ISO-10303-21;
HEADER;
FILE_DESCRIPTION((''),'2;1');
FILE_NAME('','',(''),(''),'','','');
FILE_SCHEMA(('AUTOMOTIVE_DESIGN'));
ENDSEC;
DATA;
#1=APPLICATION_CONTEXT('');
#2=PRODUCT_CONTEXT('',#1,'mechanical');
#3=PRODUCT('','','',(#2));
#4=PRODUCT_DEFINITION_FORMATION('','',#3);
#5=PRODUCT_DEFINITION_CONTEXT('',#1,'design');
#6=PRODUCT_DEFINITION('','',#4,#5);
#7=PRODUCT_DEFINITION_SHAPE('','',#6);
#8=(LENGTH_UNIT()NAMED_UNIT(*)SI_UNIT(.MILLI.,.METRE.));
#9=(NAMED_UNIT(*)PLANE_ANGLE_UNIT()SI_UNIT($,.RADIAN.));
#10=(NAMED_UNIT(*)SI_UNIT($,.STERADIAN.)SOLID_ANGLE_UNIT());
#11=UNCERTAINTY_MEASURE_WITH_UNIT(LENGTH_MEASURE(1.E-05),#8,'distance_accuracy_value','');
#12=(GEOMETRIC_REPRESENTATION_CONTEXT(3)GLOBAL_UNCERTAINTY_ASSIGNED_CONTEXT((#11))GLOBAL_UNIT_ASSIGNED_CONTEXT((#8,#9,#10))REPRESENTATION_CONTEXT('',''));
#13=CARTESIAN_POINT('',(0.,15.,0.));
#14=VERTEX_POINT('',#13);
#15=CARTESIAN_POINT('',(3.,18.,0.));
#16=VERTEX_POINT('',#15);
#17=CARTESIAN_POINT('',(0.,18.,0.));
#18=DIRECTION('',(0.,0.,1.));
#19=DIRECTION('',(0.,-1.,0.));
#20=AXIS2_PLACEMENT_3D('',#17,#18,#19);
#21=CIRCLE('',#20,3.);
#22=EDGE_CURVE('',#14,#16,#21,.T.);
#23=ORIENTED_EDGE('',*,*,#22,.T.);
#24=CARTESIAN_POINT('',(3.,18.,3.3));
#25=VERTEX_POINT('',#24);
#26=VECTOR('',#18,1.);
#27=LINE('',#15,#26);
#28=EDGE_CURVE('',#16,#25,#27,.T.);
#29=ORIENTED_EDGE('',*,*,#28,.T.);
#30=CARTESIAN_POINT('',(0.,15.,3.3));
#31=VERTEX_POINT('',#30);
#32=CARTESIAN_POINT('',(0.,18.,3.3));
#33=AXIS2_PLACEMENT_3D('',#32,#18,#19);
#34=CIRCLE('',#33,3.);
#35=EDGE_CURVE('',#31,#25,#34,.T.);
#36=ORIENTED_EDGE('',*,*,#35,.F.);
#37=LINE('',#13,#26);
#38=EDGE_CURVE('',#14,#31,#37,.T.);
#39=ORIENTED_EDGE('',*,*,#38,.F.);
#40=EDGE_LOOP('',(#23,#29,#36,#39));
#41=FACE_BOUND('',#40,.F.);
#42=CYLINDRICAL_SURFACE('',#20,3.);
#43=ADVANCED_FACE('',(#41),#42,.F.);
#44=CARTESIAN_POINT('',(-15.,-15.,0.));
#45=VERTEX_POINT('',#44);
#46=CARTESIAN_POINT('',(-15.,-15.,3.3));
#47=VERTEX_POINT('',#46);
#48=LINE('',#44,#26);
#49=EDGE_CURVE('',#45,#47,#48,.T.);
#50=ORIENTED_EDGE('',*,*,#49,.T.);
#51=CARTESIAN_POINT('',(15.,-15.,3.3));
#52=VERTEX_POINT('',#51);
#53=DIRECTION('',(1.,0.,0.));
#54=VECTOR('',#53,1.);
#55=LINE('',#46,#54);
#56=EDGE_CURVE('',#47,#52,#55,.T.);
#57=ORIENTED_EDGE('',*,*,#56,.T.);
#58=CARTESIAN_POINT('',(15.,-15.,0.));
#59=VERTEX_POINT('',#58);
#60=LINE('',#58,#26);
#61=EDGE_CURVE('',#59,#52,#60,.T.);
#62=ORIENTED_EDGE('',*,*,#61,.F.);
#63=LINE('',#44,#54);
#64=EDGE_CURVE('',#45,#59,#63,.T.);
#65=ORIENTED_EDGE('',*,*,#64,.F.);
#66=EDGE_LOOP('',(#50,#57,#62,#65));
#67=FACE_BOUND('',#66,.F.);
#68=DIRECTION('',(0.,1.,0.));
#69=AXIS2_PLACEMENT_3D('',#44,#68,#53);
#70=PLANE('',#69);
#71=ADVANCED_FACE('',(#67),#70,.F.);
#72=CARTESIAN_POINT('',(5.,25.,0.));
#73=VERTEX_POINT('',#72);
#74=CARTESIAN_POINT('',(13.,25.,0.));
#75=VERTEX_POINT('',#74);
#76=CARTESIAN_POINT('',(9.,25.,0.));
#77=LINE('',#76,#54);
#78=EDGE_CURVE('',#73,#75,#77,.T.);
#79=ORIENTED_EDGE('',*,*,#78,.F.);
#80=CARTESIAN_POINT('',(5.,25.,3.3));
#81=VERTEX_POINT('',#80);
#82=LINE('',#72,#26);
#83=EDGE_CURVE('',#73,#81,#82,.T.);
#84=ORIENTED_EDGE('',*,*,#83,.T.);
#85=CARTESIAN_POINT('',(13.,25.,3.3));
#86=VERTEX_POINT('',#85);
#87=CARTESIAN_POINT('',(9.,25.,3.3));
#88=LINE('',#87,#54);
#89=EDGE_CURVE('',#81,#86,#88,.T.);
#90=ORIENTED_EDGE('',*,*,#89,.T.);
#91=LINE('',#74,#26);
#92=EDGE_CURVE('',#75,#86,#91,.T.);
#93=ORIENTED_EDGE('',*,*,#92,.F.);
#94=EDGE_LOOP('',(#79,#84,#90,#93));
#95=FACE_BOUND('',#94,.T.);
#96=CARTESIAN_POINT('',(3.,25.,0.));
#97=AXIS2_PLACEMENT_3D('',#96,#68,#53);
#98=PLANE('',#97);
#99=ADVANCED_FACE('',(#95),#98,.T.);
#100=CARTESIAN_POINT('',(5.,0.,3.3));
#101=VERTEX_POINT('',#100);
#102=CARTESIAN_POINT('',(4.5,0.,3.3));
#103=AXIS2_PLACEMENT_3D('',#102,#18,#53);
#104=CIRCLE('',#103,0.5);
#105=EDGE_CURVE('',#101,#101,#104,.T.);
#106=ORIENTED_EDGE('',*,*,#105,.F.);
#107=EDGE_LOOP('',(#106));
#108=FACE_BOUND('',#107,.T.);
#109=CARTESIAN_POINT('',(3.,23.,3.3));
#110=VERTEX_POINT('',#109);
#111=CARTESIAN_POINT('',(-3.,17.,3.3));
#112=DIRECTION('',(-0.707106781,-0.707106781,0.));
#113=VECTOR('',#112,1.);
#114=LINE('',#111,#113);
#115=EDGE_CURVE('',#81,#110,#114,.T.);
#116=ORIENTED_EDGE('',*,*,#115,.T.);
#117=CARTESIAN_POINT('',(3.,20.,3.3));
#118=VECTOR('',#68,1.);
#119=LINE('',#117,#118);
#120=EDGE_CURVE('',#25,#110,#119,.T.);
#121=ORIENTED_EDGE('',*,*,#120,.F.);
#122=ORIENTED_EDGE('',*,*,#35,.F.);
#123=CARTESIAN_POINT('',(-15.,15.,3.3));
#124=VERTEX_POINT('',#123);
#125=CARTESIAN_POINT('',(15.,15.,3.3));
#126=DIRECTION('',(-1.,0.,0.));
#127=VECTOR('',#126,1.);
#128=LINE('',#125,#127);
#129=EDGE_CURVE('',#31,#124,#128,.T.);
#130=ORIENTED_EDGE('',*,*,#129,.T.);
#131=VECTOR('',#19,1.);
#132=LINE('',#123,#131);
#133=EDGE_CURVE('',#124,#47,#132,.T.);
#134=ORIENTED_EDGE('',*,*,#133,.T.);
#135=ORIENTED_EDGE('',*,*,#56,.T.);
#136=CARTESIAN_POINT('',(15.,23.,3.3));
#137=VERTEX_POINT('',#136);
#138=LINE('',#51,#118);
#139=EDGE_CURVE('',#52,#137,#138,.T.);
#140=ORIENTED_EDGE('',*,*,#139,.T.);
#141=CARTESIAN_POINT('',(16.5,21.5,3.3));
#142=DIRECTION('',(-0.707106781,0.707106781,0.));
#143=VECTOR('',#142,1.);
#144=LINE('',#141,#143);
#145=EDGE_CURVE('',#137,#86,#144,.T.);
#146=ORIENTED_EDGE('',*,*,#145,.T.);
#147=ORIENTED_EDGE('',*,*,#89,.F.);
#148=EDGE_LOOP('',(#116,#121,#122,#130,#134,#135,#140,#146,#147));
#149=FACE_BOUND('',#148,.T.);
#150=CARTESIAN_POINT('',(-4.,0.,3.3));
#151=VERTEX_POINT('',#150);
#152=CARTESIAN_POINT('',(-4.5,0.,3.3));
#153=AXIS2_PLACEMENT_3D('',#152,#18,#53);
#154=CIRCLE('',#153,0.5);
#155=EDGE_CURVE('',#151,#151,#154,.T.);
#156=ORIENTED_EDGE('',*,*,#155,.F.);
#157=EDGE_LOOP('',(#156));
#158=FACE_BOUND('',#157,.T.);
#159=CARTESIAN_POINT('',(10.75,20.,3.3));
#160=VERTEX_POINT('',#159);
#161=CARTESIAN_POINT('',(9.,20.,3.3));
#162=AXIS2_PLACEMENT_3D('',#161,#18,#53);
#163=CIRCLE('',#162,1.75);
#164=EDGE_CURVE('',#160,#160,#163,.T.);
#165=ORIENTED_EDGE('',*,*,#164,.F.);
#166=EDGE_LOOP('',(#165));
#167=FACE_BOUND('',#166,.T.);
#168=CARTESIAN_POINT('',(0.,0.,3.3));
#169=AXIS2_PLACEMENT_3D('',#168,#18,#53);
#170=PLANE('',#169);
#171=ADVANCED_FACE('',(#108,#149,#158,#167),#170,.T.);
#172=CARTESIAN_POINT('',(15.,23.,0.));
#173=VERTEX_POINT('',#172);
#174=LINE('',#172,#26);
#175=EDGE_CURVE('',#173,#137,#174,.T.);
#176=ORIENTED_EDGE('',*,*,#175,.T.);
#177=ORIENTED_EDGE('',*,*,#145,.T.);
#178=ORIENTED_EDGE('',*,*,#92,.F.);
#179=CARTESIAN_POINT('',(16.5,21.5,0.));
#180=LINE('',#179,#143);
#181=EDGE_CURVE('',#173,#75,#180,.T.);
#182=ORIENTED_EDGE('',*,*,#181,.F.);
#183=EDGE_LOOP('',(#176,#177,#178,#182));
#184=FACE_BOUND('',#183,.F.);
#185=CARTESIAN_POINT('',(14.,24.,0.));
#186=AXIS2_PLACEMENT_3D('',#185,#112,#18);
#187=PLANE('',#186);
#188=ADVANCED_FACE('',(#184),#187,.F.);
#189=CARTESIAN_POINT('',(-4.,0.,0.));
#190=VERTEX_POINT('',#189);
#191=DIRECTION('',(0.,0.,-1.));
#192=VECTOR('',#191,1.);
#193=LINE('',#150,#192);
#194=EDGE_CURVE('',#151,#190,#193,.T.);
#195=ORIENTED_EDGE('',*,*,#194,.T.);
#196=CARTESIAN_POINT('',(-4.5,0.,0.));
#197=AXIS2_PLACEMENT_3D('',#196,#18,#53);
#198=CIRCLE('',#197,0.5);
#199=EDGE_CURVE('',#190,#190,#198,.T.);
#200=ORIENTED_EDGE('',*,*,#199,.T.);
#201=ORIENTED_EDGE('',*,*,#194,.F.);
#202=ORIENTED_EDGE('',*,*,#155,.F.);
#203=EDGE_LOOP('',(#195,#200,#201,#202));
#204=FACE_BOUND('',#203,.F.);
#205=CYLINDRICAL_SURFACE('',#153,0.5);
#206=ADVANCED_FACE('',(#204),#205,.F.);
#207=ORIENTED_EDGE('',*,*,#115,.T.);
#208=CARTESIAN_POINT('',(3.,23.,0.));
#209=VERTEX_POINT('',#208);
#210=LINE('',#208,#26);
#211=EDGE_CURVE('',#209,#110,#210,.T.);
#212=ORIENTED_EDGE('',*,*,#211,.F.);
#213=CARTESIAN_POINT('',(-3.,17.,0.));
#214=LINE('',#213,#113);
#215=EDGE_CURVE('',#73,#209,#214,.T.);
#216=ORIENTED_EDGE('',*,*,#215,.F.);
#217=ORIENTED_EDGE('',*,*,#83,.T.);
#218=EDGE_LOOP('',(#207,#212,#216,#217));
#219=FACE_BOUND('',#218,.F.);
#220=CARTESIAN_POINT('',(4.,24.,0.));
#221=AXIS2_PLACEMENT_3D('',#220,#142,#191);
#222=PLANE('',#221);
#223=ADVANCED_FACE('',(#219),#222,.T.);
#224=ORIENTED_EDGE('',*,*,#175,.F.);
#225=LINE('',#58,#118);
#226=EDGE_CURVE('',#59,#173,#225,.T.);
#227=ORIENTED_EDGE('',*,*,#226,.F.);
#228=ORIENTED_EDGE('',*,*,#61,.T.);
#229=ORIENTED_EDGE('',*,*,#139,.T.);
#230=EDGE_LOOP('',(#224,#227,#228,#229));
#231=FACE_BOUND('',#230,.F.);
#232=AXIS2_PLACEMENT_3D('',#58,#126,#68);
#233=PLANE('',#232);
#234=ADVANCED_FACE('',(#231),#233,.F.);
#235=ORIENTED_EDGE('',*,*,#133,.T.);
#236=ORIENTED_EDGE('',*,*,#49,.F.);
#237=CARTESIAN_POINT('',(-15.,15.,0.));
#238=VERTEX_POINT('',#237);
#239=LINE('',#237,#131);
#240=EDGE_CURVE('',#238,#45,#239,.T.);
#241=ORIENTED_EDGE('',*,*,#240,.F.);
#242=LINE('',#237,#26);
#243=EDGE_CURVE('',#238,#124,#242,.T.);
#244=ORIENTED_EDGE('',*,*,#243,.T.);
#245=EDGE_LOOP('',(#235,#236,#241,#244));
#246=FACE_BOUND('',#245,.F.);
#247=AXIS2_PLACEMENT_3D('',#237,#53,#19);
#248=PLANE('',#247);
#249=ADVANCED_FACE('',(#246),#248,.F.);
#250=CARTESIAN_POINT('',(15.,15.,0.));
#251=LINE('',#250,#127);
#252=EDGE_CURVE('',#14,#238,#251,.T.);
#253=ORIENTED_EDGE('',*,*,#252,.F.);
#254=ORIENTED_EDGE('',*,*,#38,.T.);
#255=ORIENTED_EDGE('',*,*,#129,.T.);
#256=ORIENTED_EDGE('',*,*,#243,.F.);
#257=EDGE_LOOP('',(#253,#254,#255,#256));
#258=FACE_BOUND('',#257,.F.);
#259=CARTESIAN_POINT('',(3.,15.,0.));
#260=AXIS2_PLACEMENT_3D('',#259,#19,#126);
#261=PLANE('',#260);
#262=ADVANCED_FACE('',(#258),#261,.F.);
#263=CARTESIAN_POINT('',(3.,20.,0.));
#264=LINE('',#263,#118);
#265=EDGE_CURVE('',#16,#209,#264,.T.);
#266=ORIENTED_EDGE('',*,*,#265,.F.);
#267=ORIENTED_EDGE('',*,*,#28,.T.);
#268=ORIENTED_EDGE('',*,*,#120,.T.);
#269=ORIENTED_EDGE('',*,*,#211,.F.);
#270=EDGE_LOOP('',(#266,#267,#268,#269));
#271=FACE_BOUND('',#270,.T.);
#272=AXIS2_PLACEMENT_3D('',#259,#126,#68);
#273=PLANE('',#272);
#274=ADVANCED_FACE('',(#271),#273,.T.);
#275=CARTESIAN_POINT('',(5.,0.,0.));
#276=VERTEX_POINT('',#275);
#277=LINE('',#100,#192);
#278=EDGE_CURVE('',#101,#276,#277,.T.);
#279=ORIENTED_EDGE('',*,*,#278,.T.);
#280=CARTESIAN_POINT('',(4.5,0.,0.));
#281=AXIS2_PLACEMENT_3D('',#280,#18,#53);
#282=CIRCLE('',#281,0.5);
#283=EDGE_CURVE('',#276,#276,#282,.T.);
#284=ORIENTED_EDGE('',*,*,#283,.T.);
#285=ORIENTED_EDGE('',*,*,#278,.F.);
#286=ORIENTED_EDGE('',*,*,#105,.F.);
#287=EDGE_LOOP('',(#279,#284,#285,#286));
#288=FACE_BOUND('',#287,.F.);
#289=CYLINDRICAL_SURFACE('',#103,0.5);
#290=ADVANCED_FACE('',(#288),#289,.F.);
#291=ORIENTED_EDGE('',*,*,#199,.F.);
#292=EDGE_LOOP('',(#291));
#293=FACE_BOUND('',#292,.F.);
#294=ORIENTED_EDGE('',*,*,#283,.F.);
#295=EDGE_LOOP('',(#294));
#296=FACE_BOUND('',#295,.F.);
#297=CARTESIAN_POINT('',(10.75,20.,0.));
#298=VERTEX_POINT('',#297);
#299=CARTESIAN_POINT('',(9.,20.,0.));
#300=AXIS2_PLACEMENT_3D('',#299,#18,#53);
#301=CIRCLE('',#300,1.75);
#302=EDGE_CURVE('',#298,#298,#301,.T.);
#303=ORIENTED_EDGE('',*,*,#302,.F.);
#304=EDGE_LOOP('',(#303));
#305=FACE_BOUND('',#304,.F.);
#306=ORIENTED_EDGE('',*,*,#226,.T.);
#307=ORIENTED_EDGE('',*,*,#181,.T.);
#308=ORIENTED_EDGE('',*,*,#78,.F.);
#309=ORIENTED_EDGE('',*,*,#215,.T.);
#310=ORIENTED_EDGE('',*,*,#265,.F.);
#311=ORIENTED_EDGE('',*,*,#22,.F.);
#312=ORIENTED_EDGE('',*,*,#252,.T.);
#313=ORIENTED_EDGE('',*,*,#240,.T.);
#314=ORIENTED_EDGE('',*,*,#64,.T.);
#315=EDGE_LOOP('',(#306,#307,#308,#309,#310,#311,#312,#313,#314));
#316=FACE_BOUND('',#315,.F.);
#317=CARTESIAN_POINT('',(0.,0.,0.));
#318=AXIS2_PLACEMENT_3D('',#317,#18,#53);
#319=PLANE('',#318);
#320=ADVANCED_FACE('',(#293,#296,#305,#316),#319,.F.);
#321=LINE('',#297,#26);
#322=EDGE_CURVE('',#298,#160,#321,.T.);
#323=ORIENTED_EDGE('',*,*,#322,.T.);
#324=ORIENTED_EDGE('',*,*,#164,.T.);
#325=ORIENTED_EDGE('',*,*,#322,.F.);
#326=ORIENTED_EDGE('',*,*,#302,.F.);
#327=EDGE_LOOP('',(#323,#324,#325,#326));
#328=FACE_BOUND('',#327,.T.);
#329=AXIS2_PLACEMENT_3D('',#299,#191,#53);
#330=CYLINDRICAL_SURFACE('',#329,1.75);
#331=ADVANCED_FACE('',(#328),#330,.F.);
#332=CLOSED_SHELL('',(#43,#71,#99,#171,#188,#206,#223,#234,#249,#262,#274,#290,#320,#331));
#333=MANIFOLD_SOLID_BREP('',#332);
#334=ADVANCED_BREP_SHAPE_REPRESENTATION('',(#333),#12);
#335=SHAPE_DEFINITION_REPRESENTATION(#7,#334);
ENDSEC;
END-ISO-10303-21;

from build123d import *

# Parameters (mm, degrees)
F0_W     = 12
F0_H     = 10
F0_R     = 1.75
F1_DEPTH = 3.3
F2_SIZE  = 2
F3_R     = 3
F4_R     = 0.5
F5_DEPTH = 25


with BuildPart() as f1:
    # F0 (on Top) → F1 (new body)
    with BuildSketch(Plane.XY):
        Polygon((15, -15), (15, 15), (3, 15), (-15, 15), (-15, -15), align=None)
        with Locations((9, 20)):
            Rectangle(F0_W, F0_H)
        with Locations((9, 20)):
            Circle(F0_R, mode=Mode.SUBTRACT)
    extrude(amount=F1_DEPTH)

    # F2
    f2_edges = [f1.edges().sort_by_distance(p)[0] for p in [
        (3, 25, 1.65),
        (15, 25, 1.65),
    ]]
    chamfer(f2_edges, length=F2_SIZE)

    # F3
    f3_edges = [f1.edges().sort_by_distance(p)[0] for p in [
        (3, 15, 1.65),
    ]]
    fillet(f3_edges, radius=F3_R)

    # F4 (on face) → F5 (cut)
    with BuildSketch(Plane.XY.offset(3.3)):
        with Locations((-4.5, 0)):
            Circle(F4_R)
        with Locations((4.5, 0)):
            Circle(F4_R)
    extrude(amount=-F5_DEPTH, mode=Mode.SUBTRACT)


solid = f1.part
